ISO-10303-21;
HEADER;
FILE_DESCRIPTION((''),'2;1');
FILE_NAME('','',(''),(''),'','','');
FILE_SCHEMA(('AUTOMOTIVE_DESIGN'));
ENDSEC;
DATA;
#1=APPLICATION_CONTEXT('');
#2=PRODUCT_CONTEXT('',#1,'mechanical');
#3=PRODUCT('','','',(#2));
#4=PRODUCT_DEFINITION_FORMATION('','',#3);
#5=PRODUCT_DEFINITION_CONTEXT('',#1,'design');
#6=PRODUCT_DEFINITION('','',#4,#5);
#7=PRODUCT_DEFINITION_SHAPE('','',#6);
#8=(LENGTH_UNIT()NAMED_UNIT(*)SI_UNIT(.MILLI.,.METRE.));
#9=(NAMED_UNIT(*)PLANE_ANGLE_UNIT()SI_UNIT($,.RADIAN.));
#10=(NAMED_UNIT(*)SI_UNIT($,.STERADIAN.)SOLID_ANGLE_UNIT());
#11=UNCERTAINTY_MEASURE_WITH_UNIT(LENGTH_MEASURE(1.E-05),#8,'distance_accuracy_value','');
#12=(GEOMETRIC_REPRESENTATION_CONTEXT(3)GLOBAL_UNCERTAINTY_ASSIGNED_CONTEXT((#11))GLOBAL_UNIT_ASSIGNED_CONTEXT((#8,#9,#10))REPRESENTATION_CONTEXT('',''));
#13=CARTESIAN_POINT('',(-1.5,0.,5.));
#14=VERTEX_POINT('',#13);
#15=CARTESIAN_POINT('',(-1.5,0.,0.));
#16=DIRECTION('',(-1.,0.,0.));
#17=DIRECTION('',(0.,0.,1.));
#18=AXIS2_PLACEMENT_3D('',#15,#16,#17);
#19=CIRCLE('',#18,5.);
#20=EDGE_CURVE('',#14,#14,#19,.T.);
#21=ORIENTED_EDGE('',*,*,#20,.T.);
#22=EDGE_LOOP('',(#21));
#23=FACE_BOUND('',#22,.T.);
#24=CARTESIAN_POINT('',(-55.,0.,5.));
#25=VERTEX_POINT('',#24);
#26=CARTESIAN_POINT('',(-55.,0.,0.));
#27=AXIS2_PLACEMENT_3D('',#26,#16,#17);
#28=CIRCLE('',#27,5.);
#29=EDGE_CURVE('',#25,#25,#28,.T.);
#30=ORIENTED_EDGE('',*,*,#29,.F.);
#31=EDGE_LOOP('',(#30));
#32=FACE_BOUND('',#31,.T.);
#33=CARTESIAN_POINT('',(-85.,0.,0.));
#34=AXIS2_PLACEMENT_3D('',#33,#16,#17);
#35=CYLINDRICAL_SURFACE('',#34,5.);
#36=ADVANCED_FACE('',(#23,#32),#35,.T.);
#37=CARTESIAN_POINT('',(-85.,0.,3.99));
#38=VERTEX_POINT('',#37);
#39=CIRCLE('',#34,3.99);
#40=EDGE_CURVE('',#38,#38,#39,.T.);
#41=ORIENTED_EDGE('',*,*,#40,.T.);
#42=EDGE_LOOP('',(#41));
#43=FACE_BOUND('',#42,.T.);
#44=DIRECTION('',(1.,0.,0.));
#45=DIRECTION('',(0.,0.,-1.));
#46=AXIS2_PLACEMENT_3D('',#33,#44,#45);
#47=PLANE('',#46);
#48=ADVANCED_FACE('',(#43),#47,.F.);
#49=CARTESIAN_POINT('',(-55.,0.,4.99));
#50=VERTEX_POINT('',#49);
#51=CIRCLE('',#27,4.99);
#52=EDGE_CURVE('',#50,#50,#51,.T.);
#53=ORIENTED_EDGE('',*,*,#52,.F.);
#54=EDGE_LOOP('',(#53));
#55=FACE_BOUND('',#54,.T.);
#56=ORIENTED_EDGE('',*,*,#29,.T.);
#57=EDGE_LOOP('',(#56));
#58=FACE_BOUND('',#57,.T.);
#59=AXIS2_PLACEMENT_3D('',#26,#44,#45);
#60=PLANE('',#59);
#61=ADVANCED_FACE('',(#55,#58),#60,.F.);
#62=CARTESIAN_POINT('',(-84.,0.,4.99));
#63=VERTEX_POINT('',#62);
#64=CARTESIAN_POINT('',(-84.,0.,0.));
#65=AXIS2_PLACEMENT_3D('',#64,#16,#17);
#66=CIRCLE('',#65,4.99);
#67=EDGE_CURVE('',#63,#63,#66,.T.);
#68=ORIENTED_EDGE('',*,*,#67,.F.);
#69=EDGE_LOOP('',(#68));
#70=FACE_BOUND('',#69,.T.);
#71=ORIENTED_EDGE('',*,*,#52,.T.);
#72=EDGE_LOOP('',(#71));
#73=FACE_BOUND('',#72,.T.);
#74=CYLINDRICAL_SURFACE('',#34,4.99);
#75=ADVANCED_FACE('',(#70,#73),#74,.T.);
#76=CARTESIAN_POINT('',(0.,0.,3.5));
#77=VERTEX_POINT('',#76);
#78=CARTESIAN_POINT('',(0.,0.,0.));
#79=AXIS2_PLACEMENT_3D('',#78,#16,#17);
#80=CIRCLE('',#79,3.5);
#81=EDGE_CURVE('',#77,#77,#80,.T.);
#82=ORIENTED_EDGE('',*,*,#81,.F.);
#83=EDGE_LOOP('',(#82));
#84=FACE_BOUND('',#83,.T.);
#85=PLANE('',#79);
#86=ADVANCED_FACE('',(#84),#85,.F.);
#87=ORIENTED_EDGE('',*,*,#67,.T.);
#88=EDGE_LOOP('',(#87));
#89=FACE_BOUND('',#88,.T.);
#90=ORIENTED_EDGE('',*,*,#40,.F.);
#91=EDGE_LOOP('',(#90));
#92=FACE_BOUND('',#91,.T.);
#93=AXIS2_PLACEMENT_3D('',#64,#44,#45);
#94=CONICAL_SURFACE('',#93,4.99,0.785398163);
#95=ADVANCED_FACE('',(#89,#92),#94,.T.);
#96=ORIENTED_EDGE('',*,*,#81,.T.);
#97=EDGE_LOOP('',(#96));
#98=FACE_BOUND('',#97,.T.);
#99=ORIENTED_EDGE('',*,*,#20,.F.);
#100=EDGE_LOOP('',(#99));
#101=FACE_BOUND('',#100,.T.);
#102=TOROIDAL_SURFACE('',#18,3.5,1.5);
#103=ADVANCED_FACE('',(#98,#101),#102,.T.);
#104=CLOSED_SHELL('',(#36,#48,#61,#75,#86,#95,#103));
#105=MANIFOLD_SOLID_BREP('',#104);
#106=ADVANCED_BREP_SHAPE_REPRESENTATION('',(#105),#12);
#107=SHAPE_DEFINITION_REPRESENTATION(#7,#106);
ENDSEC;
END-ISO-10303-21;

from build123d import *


with BuildPart() as part:
    # Esquisse1 → Révolution1 (revolve)
    with BuildSketch(Plane.XY):
        with BuildLine():
            Line((0, 0), (0, 3.5))
            ThreePointArc((0, 3.5), (-0.439339828, 4.560660172), (-1.5, 5))
            Line((-1.5, 5), (-55, 5))
            Line((-55, 5), (-55, 4.99))
            Line((-55, 4.99), (-84, 4.99))
            Line((-84, 4.99), (-85, 3.99))
            Line((-85, 3.99), (-85, 0))
            Line((-85, 0), (0, 0))
        make_face()
    revolve(axis=Axis((-85, 0, 0), (1, 0, 0)))


solid = part.part
